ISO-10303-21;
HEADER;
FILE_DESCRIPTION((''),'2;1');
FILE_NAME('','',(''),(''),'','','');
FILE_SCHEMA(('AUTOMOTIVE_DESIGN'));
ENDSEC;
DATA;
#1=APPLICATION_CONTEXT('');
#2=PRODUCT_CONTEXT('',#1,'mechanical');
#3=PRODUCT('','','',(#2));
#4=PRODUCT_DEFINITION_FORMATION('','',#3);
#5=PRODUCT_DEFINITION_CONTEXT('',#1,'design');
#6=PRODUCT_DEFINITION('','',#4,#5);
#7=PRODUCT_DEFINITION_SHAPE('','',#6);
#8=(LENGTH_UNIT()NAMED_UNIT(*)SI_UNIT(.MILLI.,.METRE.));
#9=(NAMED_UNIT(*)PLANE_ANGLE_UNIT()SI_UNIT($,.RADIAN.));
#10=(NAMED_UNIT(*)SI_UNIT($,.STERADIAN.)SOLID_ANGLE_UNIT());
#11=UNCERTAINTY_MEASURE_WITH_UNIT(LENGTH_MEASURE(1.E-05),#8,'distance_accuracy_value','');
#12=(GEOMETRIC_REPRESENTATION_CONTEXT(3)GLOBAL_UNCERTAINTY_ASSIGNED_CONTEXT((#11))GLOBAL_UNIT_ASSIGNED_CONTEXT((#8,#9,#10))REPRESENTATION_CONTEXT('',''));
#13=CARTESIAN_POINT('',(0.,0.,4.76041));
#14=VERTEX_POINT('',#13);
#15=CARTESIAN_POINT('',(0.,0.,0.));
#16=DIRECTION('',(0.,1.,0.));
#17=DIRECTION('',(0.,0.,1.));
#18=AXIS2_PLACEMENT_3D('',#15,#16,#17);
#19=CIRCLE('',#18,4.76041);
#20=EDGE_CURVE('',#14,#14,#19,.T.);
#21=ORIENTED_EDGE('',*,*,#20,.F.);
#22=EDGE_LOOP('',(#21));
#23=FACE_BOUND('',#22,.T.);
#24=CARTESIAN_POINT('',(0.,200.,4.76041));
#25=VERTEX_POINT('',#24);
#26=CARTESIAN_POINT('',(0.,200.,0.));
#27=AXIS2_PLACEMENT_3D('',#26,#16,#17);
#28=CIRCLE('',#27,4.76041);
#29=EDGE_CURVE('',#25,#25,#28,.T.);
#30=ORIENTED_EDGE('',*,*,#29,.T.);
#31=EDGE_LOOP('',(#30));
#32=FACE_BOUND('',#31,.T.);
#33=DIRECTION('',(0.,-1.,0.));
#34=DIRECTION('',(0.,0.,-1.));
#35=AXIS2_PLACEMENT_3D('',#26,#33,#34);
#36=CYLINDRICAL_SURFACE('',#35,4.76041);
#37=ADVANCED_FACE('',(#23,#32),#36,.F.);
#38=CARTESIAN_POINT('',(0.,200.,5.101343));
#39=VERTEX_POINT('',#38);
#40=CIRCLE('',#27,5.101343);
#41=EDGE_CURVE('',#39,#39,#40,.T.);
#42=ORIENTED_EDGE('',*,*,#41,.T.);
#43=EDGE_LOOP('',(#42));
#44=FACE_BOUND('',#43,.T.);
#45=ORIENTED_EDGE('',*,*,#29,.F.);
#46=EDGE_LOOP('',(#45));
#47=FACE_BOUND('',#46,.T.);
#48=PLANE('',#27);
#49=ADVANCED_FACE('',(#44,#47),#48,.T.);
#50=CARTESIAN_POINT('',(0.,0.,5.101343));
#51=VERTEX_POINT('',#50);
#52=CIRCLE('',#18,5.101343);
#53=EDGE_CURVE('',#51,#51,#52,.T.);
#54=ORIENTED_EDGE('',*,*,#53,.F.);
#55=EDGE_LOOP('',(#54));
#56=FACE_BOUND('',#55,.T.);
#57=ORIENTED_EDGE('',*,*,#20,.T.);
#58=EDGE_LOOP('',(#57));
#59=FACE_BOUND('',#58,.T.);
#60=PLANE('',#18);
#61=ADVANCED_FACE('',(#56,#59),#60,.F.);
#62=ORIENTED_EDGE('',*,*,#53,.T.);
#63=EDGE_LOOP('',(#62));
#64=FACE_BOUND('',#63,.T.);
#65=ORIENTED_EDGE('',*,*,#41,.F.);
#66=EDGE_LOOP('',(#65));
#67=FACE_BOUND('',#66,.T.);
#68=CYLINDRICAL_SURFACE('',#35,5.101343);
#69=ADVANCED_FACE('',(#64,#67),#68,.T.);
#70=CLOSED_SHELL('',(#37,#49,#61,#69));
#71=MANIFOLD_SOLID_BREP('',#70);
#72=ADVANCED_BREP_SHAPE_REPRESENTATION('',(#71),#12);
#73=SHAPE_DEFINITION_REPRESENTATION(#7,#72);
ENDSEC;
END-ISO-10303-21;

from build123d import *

# Parameters (mm, degrees)
SKETCH1_R           = 5.101343433
SKETCH1_R_2         = 4.760409882
BOSS_EXTRUDE1_DEPTH = 200


with BuildPart() as part:
    # Sketch1 → Boss-Extrude1 (new body)
    with BuildSketch(Plane(origin=(0, 0, 0), x_dir=(1, 0, 0), z_dir=(0, 1, 0))):
        with Locations(Location((0, 0, 0), (0, 0, 270))):
            Circle(SKETCH1_R)
        with Locations(Location((0, 0, 0), (0, 0, 270))):
            Circle(SKETCH1_R_2, mode=Mode.SUBTRACT)
    extrude(amount=BOSS_EXTRUDE1_DEPTH)


solid = part.part
